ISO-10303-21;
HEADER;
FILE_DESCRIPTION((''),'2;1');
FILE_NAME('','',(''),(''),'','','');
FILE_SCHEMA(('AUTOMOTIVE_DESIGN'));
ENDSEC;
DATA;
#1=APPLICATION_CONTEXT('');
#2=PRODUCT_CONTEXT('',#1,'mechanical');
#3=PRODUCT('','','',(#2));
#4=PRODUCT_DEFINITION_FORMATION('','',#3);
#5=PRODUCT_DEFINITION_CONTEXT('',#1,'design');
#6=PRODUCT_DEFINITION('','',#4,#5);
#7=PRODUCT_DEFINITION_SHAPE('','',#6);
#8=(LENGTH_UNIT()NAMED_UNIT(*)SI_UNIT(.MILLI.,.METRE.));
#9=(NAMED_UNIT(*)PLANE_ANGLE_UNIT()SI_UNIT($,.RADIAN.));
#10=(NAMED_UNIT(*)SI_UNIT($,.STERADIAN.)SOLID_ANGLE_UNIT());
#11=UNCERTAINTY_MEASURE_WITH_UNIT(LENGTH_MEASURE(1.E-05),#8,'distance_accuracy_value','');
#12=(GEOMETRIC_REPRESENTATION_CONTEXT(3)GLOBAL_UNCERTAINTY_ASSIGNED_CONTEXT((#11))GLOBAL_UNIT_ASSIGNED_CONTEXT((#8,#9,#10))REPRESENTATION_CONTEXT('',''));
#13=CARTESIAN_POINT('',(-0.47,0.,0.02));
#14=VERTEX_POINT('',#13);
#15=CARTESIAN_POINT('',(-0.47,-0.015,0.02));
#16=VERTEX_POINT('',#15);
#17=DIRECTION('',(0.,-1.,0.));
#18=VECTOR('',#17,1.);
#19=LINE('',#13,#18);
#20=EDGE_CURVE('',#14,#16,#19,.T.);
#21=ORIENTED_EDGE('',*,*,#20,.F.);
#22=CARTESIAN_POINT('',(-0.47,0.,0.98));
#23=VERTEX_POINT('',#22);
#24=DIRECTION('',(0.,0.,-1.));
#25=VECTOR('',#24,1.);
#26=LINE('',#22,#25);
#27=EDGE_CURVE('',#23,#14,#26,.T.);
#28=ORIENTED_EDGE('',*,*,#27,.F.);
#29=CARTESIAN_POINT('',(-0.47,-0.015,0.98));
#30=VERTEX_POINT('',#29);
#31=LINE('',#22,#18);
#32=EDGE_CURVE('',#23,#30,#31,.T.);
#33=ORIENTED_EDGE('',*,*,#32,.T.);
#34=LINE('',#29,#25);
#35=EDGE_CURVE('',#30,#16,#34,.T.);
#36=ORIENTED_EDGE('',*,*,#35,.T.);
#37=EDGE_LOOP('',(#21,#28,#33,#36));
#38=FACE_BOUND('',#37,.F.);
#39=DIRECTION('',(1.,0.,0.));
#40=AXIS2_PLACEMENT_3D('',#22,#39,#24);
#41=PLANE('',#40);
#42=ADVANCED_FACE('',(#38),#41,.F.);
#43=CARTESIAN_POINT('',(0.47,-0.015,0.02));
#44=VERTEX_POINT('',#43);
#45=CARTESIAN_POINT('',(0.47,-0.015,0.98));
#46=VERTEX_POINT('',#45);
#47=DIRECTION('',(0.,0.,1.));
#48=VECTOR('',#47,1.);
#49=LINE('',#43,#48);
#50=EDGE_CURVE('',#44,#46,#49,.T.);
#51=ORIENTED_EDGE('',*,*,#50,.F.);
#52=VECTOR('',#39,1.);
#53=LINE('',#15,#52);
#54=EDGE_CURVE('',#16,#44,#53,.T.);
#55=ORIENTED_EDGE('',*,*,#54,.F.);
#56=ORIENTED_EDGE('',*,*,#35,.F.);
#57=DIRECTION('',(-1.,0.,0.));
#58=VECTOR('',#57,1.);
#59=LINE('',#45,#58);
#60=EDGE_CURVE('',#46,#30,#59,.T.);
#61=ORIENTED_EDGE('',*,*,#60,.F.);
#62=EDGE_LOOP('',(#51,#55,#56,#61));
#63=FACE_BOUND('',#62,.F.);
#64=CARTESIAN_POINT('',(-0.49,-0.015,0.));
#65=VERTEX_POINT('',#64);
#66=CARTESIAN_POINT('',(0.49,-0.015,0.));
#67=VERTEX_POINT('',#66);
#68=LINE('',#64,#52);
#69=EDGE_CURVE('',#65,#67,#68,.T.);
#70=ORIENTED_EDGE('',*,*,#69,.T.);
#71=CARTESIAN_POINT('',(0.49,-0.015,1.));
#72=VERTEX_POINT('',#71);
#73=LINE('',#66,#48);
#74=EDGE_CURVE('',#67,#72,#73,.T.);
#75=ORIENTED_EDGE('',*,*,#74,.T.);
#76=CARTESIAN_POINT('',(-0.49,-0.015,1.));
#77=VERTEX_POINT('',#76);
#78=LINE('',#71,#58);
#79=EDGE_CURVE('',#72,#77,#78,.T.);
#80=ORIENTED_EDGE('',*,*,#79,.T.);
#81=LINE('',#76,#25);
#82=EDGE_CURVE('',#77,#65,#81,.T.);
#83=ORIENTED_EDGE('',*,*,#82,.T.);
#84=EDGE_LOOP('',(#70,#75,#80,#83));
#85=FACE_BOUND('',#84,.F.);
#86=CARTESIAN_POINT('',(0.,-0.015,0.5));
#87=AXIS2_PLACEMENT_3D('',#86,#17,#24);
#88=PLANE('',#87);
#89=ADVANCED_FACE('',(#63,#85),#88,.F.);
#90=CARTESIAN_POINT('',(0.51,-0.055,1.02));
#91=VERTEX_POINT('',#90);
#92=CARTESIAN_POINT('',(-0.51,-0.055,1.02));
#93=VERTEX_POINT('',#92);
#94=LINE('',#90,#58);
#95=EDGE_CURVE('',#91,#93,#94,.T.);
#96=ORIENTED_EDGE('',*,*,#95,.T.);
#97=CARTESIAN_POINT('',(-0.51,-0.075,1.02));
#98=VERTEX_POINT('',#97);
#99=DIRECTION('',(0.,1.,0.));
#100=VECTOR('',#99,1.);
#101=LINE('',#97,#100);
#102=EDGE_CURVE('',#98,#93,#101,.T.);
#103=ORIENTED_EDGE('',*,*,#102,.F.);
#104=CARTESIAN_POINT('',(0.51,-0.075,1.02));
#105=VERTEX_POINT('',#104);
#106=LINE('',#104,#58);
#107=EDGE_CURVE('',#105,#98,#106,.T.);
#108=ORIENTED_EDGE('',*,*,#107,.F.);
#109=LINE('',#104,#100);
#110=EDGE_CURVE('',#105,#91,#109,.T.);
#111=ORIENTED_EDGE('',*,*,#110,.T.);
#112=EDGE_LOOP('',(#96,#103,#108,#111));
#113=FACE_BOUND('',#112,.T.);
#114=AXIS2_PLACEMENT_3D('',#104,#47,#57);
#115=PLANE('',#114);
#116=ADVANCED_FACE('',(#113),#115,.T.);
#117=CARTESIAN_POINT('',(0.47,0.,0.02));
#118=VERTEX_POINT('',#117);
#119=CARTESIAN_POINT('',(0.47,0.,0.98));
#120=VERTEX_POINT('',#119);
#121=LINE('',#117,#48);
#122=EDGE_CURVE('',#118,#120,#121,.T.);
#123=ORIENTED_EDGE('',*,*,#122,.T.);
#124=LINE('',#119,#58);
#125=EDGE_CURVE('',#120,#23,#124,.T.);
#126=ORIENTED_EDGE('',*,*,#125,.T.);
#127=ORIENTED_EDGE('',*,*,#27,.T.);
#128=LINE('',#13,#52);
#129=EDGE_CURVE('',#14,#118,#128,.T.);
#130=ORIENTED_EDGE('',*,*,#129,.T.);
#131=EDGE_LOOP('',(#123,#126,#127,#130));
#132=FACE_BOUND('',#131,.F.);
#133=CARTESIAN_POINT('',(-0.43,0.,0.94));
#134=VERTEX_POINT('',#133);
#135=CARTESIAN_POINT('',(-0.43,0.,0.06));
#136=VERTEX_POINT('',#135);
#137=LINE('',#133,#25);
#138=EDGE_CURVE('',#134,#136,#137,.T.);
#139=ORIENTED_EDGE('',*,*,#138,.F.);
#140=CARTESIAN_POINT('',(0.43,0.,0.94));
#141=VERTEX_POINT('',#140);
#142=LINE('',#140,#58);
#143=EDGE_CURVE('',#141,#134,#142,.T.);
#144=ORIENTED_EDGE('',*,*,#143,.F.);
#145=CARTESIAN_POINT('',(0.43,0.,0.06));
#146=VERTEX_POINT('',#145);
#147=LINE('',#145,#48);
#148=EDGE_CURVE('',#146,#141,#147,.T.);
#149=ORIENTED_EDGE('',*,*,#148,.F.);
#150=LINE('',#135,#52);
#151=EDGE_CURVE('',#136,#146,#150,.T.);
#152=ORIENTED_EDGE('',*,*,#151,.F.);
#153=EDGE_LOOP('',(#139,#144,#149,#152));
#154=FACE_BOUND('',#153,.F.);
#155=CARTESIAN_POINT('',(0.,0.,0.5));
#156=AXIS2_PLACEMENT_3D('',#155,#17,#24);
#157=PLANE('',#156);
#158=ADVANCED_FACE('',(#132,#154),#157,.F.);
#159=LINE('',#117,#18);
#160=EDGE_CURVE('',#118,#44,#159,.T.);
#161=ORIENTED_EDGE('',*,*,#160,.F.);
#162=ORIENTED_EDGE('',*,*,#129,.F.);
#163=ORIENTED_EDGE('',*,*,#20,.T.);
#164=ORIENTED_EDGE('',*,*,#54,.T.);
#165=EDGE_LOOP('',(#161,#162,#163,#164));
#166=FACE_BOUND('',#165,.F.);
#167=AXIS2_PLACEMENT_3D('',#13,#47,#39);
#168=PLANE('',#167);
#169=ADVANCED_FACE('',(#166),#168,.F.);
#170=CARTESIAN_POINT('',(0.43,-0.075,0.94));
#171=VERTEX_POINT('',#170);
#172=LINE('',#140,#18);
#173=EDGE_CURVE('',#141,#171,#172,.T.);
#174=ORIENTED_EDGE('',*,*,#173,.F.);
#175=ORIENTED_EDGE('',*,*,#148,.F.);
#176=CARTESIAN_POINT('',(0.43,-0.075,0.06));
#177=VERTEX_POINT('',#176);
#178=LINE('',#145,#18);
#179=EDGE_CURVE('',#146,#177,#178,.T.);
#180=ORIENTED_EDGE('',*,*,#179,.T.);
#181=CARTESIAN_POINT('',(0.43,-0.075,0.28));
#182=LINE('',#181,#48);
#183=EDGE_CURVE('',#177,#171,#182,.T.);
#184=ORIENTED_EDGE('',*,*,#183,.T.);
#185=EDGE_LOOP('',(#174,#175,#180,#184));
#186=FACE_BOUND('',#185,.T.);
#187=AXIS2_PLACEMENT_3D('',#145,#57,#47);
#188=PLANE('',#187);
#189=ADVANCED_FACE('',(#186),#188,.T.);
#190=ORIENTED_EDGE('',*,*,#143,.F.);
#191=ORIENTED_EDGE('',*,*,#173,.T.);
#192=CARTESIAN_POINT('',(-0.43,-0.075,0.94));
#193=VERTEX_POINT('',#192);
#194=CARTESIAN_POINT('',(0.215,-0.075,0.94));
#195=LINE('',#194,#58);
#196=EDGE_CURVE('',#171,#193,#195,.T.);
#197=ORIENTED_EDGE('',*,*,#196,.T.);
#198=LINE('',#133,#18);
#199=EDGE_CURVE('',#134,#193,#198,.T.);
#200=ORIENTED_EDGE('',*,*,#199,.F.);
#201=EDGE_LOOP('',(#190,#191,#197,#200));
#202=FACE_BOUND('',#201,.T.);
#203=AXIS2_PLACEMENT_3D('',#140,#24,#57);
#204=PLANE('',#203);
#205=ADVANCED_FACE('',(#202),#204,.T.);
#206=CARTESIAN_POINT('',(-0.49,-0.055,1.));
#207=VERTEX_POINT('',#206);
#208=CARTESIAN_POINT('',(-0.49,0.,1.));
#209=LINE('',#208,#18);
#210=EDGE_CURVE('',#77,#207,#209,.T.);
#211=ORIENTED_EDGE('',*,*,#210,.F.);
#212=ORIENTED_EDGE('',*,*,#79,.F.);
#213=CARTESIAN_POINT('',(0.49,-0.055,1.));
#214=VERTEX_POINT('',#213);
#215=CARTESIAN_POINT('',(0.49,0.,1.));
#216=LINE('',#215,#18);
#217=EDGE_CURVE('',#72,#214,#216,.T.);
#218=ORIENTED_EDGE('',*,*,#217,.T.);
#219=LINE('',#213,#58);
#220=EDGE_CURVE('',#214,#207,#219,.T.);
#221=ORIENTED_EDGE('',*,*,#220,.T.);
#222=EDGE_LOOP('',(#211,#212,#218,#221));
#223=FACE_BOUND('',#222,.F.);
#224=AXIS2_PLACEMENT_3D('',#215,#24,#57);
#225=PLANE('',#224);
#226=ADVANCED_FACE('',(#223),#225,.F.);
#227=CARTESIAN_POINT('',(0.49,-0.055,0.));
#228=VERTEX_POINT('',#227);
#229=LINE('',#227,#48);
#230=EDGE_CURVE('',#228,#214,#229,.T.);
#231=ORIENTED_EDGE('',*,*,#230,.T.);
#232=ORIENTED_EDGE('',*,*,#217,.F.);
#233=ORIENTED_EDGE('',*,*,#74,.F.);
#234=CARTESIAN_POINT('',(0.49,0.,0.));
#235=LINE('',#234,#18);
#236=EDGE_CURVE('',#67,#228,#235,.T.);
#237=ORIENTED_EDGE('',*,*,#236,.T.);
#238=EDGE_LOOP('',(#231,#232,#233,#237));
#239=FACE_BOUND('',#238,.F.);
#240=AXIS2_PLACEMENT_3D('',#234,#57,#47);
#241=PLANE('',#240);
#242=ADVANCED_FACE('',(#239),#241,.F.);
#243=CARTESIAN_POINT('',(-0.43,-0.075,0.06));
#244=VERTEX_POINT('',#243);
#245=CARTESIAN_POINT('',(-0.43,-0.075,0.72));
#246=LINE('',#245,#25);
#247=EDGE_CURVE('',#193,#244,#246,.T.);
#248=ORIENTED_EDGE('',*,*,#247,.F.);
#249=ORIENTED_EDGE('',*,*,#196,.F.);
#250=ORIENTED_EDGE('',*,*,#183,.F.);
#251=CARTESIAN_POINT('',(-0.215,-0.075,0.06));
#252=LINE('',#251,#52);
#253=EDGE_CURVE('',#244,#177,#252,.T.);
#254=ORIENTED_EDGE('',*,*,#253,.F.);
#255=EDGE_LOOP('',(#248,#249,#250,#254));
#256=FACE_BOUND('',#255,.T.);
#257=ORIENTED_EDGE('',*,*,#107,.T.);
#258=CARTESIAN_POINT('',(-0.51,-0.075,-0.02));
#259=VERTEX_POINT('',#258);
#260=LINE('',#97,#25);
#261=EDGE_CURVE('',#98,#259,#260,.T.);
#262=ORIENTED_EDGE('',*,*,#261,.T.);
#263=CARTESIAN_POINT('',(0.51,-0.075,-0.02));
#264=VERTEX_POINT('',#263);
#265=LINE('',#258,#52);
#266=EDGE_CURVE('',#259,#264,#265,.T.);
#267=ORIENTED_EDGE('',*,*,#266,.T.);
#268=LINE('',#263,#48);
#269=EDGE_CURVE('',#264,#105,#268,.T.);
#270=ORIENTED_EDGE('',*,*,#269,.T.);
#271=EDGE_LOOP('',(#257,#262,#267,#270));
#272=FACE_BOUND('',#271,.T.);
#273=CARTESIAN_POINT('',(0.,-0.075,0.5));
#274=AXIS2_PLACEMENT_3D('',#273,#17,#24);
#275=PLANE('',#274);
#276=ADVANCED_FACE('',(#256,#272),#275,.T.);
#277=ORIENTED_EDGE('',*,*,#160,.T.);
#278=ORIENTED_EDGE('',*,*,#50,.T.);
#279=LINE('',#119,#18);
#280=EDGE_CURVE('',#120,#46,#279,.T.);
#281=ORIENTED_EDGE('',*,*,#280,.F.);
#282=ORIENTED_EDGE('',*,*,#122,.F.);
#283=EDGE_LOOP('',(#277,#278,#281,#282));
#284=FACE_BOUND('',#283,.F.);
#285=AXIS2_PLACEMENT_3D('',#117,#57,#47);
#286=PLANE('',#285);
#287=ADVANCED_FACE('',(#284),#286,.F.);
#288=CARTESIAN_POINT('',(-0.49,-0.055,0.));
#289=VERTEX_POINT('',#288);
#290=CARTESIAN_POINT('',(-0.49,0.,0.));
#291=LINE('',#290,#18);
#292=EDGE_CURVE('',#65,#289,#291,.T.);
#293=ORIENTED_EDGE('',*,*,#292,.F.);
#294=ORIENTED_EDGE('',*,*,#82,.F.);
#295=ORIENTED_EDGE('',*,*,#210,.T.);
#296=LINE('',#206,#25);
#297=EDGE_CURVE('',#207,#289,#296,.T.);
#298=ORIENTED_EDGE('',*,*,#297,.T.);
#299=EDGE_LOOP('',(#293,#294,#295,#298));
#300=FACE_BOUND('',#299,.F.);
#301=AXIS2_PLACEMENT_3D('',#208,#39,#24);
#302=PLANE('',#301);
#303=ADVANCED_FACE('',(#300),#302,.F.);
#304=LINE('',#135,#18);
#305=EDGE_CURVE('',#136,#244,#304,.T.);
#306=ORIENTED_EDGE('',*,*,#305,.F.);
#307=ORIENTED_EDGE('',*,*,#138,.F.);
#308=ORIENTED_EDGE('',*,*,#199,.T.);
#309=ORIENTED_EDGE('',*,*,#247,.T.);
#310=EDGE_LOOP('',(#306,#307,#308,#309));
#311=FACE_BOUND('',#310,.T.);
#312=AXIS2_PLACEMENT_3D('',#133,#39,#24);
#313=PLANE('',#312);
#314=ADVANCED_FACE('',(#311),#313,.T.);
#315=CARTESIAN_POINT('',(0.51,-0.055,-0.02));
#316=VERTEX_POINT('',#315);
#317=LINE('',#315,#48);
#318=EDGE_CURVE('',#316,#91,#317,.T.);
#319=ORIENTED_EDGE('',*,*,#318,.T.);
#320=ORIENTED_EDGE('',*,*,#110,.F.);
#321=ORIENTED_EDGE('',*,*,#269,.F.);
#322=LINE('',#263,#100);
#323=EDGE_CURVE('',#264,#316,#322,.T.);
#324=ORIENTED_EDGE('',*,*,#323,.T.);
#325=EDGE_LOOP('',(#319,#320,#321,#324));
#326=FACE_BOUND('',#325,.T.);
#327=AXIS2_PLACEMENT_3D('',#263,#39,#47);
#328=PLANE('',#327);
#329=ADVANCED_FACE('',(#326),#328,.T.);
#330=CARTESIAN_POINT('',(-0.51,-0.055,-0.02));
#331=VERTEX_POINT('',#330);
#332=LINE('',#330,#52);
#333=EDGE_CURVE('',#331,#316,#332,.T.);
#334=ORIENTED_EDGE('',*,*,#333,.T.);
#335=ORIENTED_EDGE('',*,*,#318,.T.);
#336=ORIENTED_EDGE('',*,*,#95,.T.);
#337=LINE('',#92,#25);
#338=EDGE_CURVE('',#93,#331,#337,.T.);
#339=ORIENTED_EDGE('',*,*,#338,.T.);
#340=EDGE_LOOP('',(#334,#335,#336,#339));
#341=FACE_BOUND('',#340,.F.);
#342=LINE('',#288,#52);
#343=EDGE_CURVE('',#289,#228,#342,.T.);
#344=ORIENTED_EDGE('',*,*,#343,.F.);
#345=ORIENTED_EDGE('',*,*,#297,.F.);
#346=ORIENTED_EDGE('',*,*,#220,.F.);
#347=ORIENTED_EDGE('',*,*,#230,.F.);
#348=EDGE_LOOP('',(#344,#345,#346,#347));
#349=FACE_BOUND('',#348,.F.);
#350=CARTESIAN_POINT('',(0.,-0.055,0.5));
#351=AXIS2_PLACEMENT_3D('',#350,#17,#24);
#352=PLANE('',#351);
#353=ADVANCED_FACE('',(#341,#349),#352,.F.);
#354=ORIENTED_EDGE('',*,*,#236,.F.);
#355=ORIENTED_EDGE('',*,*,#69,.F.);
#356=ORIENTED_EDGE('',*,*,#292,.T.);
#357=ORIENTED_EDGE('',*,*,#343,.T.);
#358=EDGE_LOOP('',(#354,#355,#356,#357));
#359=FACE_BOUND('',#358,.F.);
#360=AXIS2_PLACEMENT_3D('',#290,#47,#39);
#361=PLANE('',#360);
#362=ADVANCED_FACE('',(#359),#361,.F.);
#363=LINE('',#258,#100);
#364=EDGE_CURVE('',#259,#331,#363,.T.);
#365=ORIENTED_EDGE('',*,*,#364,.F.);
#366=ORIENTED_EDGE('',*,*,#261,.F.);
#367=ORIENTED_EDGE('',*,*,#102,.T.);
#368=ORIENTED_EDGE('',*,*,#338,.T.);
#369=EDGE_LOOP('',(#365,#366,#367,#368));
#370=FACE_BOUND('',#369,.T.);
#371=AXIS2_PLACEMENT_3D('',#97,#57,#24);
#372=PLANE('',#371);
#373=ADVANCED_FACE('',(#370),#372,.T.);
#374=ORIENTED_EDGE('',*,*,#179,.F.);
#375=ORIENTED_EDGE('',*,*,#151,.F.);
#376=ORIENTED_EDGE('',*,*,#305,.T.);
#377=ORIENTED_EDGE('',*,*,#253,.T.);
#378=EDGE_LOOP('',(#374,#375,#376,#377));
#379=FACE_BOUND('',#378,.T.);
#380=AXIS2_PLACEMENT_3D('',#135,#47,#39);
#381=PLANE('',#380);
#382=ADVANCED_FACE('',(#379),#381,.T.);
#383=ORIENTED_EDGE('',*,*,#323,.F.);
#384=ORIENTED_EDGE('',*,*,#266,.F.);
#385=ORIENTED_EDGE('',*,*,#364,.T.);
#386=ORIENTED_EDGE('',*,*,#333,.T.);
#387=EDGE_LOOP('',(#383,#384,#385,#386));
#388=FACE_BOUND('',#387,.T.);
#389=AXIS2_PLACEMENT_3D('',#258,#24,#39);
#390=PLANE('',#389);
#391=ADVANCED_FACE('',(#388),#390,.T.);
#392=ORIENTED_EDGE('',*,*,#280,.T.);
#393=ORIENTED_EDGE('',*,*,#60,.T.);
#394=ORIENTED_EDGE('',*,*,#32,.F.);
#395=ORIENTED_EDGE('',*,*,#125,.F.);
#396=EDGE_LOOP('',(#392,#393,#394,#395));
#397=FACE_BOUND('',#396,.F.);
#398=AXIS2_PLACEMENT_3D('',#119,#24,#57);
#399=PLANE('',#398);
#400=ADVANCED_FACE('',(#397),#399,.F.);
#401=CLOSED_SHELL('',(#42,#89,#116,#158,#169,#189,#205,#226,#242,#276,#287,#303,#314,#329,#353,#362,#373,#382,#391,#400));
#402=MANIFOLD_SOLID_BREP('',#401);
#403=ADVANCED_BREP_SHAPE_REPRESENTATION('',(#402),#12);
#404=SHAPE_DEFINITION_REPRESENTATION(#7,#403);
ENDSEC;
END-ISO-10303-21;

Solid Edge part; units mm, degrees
sketch "Sketch1" plane through (0, 0, 0) normal (0, -1, 0) x (1, 0, 0)
  line L0 (-0.49, 0) -> (0.49, 0)
  line L1 (0.49, 0) -> (0.49, 1)
  line L2 (0.49, 1) -> (-0.49, 1)
  line L3 (-0.49, 1) -> (-0.49, 0)
  dimension "D1" = 1
  dimension "D2" = 0.98
extrude "Protrusion1" add sketch "Sketch1" along normal blind 0.075
sketch "Sketch2" plane through (0, 0, 0.69) normal (0, 1, 0) x (-1, 0, 0)
  line L0 (-0.43, 0.25) -> (0.43, 0.25)
  line L1 (0.43, 0.25) -> (0.43, -0.63)
  line L2 (0.43, -0.63) -> (-0.43, -0.63)
  line L3 (-0.43, -0.63) -> (-0.43, 0.25)
extrude "Cutout1" cut sketch "Sketch2" against normal up to next
sketch "Sketch3" plane through (0, 0, 0.69) normal (0, 1, 0) x (-1, 0, 0)
  line L0 (-0.47, -0.67) -> (-0.47, 0.29)
  line L1 (-0.47, 0.29) -> (0.47, 0.29)
  line L2 (0.47, 0.29) -> (0.47, -0.67)
  line L3 (0.47, -0.67) -> (-0.47, -0.67)
  line L4 (-0.49, -0.69) -> (-0.49, 0.31)
  line L5 (-0.49, 0.31) -> (0.49, 0.31)
  line L6 (0.49, 0.31) -> (0.49, -0.69)
  line L7 (0.49, -0.69) -> (-0.49, -0.69)
extrude "Ausschnitt_1" cut sketch "Sketch3" against normal blind 0.015
sketch "Sketch4" plane through (0, -0.075, 0.69) normal (0, -1, 0) x (1, 0, 0)
  line L0 (-0.51, 0.33) -> (-0.51, -0.71)
  line L1 (-0.51, -0.71) -> (0.51, -0.71)
  line L2 (0.51, -0.71) -> (0.51, 0.33)
  line L3 (0.51, 0.33) -> (-0.51, 0.33)
  line L4 (0.49, 0.31) -> (-0.49, 0.31)
  line L5 (-0.49, 0.31) -> (-0.49, -0.69)
  line L6 (-0.49, -0.69) -> (0.49, -0.69)
  line L7 (0.49, -0.69) -> (0.49, 0.31)
extrude "Ausprägung_2" add sketch "Sketch4" against normal blind 0.02
